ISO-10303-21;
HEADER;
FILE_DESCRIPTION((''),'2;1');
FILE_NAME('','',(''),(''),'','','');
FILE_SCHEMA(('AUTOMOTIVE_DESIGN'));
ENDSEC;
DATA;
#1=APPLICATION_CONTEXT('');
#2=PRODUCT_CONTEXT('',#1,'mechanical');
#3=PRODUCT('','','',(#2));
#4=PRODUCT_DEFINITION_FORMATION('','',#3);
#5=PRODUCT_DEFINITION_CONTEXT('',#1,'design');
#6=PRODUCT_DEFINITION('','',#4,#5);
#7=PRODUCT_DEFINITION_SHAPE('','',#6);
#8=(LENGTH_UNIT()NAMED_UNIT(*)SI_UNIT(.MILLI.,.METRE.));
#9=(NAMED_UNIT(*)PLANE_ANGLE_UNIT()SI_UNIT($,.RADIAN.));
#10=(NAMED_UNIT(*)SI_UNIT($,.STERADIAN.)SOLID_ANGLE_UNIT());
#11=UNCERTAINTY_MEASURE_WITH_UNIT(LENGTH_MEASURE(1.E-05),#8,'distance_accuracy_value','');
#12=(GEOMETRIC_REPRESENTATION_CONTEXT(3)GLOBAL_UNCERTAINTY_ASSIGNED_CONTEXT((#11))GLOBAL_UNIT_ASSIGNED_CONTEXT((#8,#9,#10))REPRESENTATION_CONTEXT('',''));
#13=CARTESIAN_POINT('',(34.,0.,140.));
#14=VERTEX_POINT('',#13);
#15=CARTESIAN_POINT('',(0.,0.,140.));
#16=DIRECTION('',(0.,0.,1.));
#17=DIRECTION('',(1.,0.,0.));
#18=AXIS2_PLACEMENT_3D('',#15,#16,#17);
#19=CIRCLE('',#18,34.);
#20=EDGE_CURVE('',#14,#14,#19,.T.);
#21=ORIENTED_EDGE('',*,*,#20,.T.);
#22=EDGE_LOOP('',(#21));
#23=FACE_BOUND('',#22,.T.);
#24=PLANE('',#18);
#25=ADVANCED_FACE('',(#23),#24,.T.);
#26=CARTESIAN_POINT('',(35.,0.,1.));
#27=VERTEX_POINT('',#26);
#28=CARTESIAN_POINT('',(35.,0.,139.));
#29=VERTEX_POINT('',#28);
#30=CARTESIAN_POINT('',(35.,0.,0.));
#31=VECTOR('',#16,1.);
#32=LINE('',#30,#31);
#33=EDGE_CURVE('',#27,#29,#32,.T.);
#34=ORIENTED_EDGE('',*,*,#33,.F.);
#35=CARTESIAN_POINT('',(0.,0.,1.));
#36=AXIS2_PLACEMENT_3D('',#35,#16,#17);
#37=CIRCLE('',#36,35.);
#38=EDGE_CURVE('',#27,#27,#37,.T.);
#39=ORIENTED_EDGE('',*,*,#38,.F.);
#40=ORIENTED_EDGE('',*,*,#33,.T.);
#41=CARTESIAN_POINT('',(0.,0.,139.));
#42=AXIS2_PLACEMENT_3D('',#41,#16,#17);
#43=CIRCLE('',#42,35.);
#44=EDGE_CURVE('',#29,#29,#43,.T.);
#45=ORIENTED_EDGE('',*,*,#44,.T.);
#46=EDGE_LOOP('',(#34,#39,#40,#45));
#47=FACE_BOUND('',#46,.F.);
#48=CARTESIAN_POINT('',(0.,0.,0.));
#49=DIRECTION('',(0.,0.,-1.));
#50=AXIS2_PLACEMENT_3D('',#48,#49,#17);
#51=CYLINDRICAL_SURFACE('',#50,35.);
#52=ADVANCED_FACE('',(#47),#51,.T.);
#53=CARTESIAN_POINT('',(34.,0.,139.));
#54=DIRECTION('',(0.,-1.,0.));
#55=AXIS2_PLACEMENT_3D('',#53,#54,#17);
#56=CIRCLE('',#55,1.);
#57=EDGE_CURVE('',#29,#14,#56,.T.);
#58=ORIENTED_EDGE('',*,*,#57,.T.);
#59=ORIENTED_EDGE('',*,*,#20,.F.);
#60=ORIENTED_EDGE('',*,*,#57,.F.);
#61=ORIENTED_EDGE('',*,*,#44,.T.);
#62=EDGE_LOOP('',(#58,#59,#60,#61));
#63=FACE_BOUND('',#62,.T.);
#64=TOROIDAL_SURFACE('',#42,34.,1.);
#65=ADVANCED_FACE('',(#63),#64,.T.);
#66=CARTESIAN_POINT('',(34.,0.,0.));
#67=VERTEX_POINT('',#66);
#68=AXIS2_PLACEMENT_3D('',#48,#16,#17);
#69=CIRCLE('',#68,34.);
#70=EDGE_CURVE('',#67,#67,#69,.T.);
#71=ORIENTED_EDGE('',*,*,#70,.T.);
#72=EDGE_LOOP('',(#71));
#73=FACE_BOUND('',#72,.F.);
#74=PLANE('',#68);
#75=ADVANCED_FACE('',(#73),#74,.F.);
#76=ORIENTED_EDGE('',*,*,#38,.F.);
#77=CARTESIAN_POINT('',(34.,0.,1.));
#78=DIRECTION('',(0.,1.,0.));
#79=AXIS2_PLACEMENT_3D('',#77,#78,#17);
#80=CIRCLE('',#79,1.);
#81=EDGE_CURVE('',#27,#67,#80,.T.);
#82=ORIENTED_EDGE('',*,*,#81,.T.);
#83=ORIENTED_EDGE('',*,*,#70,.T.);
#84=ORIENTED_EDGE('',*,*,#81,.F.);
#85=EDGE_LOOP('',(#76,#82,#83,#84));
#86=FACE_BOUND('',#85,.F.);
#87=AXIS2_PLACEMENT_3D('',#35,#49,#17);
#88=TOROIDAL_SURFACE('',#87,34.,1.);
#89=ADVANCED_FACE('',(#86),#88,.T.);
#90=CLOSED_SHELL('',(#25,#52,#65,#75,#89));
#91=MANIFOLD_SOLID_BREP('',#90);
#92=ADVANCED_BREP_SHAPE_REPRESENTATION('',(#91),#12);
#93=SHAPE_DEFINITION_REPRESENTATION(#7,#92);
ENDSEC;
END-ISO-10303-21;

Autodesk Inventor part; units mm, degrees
ref_plane "YZ Plane" through (0, 0, 0) normal (1, 0, 0) x (0, 1, 0)
ref_plane "XZ Plane" through (0, 0, 0) normal (0, 1, 0) x (-1, 0, 0)
ref_plane "XY Plane" through (0, 0, 0) normal (0, 0, 1) x (1, 0, 0)
sketch "スケッチ2" plane through (0, 0, 0) normal (0, 0, 1) x (1, 0, 0)
  circle A0 centre (0, 0) radius 35
  dimension "d5" = 70
extrude "押し出し2" add sketch "スケッチ2" along normal blind 140
fillet "フィレット3" radius 1 2 edges at (-35, 0, 140) (-35, 0, 0)
properties part number "chip_star"
